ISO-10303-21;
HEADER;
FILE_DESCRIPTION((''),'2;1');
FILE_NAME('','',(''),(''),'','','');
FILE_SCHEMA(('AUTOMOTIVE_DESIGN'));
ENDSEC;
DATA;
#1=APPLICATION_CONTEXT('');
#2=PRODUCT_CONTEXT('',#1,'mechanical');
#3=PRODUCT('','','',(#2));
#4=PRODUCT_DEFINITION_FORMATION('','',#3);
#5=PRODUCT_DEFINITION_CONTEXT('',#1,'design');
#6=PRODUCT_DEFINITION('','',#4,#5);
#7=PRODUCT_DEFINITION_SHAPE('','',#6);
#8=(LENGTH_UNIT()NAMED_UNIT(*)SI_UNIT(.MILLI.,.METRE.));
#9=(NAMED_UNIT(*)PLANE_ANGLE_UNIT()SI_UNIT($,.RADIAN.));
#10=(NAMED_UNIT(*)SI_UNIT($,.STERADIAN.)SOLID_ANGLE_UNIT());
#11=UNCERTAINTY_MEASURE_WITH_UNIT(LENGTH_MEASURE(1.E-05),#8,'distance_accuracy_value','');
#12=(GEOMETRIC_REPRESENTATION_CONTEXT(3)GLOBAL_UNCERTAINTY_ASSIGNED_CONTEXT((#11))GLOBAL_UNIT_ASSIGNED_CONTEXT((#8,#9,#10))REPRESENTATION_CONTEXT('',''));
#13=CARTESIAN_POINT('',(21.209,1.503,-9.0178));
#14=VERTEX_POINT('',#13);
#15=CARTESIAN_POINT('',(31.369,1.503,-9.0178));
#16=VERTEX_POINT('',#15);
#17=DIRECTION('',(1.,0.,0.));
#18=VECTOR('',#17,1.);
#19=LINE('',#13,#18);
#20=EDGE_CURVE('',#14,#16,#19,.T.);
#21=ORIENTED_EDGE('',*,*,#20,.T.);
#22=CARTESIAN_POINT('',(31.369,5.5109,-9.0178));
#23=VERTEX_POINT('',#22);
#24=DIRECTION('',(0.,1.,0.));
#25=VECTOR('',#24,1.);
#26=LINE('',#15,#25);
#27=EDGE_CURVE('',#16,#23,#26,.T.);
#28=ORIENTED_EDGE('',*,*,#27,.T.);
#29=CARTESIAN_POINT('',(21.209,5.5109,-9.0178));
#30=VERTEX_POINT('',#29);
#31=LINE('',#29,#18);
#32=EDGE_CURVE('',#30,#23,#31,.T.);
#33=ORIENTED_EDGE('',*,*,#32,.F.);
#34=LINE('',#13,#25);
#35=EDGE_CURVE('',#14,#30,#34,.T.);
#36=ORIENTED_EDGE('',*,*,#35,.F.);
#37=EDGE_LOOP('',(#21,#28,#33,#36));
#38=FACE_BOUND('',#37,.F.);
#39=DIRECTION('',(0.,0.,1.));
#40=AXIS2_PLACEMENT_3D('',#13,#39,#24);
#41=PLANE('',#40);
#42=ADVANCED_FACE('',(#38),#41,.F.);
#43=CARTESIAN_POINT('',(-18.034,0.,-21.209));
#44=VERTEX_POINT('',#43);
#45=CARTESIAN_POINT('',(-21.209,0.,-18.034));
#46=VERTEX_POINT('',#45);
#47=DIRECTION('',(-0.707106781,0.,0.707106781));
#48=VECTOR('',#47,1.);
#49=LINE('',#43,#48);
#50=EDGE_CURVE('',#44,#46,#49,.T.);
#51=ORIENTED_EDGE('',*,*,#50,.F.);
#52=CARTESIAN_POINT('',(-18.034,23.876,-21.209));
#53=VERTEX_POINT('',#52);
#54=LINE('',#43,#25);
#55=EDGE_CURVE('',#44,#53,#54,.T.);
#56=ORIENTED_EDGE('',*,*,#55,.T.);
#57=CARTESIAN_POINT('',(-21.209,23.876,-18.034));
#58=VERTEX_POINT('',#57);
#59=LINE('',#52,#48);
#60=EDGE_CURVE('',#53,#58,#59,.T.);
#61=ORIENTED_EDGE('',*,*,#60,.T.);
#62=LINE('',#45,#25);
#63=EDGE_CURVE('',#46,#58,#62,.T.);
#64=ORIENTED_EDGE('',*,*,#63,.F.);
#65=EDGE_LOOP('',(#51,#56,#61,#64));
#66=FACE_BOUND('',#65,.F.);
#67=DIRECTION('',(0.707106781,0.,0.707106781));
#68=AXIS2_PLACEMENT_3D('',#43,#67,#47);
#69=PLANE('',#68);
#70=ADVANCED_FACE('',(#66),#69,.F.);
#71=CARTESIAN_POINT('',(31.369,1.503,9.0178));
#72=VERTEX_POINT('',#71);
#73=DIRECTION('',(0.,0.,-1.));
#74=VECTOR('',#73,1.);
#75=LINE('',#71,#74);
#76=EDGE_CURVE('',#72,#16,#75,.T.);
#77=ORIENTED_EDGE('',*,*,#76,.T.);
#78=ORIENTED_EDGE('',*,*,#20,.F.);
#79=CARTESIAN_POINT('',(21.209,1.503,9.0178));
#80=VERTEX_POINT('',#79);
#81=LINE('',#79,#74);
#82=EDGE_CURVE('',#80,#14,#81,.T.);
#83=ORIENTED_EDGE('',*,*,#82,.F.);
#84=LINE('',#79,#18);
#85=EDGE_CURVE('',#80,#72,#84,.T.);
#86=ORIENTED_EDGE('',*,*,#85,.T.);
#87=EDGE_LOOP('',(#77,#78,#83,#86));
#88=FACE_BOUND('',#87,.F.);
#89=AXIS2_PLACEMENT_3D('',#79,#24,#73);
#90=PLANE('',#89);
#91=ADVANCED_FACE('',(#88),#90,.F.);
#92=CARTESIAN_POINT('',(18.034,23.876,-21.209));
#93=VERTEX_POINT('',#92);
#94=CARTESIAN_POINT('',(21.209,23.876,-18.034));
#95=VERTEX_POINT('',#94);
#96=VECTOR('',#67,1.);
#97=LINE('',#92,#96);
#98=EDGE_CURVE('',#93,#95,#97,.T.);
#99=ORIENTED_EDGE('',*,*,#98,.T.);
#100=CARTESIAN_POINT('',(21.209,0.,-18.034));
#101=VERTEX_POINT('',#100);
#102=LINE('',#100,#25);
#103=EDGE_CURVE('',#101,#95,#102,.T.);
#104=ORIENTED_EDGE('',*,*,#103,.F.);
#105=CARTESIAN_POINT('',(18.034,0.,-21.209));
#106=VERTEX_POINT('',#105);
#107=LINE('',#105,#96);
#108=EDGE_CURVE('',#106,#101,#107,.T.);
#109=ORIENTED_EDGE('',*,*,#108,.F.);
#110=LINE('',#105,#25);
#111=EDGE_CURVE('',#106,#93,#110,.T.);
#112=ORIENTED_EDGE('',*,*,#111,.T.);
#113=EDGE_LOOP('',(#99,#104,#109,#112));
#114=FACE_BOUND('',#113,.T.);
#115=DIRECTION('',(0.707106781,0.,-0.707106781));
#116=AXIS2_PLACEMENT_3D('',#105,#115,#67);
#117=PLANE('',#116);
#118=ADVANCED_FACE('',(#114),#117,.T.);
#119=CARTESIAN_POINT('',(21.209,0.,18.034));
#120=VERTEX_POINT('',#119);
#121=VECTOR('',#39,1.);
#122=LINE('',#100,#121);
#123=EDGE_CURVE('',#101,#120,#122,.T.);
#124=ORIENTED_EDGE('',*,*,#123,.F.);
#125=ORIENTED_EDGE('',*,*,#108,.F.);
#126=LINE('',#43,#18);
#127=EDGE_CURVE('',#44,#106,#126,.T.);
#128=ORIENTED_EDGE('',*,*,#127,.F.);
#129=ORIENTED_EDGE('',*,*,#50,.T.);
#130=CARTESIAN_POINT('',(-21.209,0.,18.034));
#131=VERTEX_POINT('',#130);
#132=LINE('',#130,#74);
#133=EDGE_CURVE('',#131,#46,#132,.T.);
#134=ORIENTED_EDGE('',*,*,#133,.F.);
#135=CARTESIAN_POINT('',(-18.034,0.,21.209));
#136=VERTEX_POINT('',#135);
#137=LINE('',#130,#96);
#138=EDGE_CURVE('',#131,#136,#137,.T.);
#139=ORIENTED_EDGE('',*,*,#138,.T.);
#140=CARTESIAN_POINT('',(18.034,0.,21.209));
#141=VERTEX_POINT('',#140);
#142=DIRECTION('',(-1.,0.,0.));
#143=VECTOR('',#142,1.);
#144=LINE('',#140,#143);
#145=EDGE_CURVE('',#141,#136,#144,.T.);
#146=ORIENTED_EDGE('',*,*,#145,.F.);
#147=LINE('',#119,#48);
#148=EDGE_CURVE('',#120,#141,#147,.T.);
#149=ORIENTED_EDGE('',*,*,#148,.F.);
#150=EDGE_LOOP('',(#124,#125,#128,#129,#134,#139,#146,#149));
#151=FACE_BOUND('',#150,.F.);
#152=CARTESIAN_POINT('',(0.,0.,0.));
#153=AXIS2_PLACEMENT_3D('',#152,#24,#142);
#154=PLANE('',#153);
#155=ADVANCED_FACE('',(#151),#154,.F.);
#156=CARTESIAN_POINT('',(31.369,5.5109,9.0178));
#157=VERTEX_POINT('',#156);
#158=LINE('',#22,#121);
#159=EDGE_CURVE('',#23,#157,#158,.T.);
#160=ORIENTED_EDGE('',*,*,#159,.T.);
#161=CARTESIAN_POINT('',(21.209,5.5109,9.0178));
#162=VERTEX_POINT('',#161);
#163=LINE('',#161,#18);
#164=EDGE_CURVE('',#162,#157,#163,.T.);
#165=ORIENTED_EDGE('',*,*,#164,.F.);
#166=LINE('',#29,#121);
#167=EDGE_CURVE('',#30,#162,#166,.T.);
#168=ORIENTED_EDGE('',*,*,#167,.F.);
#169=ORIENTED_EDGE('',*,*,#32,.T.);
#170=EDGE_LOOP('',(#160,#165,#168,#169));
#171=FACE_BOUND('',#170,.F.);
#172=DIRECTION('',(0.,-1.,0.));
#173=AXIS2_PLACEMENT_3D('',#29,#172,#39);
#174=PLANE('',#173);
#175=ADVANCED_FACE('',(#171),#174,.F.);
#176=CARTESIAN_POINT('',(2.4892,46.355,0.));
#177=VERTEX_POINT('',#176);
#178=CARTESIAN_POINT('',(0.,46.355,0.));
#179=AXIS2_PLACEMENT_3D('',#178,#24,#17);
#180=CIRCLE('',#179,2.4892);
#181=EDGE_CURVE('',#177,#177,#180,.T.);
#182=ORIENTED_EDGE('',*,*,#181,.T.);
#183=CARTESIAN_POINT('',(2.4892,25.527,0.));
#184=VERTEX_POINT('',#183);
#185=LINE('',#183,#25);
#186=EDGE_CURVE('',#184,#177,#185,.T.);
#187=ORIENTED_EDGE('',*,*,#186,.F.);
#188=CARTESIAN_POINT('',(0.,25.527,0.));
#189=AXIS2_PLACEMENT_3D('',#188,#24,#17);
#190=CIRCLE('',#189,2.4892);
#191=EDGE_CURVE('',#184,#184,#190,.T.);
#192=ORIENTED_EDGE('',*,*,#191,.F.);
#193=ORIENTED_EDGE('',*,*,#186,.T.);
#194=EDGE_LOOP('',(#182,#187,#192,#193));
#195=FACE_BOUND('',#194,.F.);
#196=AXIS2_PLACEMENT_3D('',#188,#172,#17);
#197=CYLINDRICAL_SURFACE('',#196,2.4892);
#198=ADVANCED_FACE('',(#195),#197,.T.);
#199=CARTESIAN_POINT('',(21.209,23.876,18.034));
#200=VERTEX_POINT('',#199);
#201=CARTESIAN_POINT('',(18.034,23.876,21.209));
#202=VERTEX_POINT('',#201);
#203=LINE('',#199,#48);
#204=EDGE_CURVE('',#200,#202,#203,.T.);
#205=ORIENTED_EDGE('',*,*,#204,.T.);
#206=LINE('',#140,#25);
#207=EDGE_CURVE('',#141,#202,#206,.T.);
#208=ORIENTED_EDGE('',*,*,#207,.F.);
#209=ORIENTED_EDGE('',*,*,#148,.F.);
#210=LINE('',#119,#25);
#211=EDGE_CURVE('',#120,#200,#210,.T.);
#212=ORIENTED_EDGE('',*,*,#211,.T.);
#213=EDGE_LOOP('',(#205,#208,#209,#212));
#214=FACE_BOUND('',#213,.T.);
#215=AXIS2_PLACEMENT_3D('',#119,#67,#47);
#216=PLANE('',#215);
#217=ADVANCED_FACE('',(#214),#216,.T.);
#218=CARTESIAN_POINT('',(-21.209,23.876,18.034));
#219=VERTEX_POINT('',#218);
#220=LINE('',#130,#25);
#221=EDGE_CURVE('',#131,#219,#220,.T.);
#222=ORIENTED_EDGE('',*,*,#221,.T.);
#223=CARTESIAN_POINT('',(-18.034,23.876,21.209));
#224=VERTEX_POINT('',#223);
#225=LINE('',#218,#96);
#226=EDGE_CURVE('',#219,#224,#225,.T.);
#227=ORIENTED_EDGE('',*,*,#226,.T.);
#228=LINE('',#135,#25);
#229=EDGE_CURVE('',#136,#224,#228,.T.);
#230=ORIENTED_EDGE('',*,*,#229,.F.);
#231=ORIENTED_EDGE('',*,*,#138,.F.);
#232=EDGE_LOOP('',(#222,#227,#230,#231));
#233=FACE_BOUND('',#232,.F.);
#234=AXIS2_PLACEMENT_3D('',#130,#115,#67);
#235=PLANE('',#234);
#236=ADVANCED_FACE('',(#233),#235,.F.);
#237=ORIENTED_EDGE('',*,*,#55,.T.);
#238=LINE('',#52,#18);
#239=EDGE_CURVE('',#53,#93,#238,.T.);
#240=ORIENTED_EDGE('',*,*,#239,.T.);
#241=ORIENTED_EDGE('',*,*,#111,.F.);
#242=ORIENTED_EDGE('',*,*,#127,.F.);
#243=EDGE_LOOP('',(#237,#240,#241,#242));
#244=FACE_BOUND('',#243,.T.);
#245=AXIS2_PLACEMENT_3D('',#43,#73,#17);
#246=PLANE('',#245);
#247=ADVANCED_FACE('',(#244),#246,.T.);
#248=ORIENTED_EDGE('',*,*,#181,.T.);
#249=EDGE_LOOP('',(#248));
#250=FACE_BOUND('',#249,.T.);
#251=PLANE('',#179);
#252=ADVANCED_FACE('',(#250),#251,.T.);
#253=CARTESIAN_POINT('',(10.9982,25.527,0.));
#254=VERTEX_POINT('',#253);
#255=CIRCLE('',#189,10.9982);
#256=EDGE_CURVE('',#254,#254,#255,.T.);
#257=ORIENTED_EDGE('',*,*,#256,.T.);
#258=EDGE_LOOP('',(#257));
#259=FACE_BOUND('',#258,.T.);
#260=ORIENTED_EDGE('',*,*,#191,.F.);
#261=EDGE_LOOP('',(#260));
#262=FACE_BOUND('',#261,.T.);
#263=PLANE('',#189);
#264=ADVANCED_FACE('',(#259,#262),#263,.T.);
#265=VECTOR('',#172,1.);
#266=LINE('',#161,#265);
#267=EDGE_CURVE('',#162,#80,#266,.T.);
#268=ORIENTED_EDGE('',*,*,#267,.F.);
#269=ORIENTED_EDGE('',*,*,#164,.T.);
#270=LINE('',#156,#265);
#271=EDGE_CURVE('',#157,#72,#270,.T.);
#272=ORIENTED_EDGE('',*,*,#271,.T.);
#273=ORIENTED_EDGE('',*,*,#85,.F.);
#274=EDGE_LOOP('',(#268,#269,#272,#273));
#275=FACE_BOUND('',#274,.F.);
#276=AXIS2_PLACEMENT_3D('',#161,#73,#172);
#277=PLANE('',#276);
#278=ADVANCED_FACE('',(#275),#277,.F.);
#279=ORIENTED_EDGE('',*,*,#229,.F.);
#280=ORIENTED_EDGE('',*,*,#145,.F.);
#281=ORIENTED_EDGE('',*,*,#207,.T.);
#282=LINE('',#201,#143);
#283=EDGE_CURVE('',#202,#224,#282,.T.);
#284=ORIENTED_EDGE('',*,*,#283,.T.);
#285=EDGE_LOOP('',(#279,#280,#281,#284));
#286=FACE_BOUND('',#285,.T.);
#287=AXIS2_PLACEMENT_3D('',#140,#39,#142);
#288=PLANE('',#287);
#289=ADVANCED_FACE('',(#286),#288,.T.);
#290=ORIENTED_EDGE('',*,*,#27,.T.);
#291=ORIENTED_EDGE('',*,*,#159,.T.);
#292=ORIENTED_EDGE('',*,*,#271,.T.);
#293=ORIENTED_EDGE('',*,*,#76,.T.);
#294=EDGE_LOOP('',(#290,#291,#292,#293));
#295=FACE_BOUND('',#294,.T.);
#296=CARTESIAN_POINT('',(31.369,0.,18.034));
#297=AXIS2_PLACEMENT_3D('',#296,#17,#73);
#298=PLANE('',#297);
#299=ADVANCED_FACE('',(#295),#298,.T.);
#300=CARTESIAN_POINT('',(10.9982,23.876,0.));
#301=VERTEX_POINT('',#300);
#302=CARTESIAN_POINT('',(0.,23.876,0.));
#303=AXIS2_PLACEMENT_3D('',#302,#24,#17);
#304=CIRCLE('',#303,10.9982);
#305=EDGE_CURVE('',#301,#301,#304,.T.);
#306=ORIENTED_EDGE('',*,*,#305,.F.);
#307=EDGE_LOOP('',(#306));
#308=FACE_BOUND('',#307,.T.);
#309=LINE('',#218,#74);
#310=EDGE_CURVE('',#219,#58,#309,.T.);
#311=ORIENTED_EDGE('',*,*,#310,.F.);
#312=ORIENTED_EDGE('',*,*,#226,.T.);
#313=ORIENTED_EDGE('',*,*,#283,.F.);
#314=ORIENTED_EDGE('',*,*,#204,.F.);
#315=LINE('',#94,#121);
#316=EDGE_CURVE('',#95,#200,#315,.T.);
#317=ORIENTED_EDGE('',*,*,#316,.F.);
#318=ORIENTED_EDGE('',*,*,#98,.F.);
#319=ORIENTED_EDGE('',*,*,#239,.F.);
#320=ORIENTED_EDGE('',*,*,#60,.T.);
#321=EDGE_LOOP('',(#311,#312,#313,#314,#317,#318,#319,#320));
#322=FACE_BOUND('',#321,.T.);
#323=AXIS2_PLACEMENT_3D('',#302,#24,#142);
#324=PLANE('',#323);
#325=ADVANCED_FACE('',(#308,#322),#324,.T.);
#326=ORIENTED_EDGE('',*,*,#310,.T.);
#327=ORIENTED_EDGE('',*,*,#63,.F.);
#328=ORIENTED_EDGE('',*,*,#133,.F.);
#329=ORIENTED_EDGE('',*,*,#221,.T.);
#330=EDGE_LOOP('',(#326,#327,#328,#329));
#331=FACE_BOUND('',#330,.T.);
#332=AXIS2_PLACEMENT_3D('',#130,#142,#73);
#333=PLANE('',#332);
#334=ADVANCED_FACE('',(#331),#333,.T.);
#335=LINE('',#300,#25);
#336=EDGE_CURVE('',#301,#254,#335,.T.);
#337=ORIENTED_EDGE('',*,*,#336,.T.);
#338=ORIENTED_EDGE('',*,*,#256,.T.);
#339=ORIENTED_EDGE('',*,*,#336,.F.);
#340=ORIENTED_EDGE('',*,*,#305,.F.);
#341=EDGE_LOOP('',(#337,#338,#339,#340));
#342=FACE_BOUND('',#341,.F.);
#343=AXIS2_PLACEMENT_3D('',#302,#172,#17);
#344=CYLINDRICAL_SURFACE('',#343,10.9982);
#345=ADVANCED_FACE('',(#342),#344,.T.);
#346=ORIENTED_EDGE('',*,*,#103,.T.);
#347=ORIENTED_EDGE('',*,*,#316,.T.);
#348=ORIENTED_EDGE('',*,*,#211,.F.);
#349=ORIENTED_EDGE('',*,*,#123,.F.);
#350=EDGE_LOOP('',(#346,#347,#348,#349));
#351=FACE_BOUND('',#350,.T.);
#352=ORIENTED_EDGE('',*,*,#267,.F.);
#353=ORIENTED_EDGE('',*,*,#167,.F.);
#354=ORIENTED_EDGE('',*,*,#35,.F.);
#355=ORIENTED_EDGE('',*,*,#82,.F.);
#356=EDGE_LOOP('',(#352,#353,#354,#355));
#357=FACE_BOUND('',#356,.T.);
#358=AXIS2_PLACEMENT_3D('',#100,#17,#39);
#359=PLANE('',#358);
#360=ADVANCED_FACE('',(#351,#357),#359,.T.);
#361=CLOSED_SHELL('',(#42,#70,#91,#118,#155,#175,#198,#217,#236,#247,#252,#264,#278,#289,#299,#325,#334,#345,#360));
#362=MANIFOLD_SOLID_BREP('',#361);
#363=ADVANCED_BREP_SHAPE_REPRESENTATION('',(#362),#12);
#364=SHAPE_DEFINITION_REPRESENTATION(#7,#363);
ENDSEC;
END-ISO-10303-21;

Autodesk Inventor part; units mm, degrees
ref_plane "YZ Plane" through (0, 0, 0) normal (1, 0, 0) x (0, 1, 0)
ref_plane "XZ Plane" through (0, 0, 0) normal (0, 1, 0) x (-1, 0, 0)
ref_plane "XY Plane" through (0, 0, 0) normal (0, 0, 1) x (1, 0, 0)
sketch "Sketch1" plane through (0, 0, 0) normal (0, 1, 0) x (-1, 0, 0)
  line L0 (-18.034, 21.209) -> (18.034, 21.209)
  line L1 (21.209, 18.034) -> (21.209, -18.034)
  line L2 (18.034, -21.209) -> (-18.034, -21.209)
  line L3 (-21.209, -18.034) -> (-21.209, 18.034)
  line L4 (-21.209, 21.209) -> (21.209, -21.209) construction
  line L5 (21.209, 21.209) -> (-21.209, -21.209) construction
  line L6 (21.209, 18.034) -> (18.034, 21.209)
  line L7 (18.034, -21.209) -> (21.209, -18.034)
  line L8 (-18.034, -21.209) -> (-21.209, -18.034)
  line L9 (-21.209, 18.034) -> (-18.034, 21.209)
  point P0 (0, 0)
  dimension "d0" = 42.418
  dimension "d1" = 3.175
  dimension "d2" = 3.175
  dimension "d3" = 3.175
  dimension "d4" = 3.175
  dimension "d5" = 3.175
  dimension "d6" = 3.175
  dimension "d7" = 3.175
  dimension "d8" = 3.175
extrude "Extrusion1" add sketch "Sketch1" along normal blind 23.876
sketch "Sketch2" plane through (0, 23.876, 0) normal (0, 1, 0) x (1, 0, 0)
  circle A0 centre (0, 0) radius 10.9982
  dimension "d11" = 21.9964
extrude "Extrusion2" add sketch "Sketch2" along normal blind 1.651
sketch "Sketch3" plane through (0, 25.527, 0) normal (0, 1, 0) x (1, 0, 0)
  circle A0 centre (0, 0) radius 2.4892
  dimension "d14" = 4.9784
extrude "Extrusion3" add sketch "Sketch3" along normal blind 20.828
sketch "Sketch4" plane through (21.209, 0, 18.034) normal (1, 0, 0) x (0, 0, -1)
  line L0 (9.0162, 1.503) -> (27.0518, 1.503)
  line L1 (27.0518, 1.503) -> (27.0518, 5.5109)
  line L2 (27.0518, 5.5109) -> (9.0162, 5.5109)
  line L3 (9.0162, 5.5109) -> (9.0162, 1.503)
  line L4 (9.0162, 1.503) -> (27.0518, 5.5109) construction
  line L5 (27.0518, 1.503) -> (9.0162, 5.5109) construction
  point P0 (18.034, 0)
  point P1 (18.034, 3.5069)
extrude "Extrusion4" add sketch "Sketch4" along normal blind 10.16
equation "\"d2\" = d1"
equation "\"d3\" = d1"
equation "\"d4\" = d3"
equation "\"d5\" = d1"
equation "\"d6\" = d5"
equation "\"d7\" = d1"
equation "\"d8\" = d7"
properties part number "stepper_17HS4023"
